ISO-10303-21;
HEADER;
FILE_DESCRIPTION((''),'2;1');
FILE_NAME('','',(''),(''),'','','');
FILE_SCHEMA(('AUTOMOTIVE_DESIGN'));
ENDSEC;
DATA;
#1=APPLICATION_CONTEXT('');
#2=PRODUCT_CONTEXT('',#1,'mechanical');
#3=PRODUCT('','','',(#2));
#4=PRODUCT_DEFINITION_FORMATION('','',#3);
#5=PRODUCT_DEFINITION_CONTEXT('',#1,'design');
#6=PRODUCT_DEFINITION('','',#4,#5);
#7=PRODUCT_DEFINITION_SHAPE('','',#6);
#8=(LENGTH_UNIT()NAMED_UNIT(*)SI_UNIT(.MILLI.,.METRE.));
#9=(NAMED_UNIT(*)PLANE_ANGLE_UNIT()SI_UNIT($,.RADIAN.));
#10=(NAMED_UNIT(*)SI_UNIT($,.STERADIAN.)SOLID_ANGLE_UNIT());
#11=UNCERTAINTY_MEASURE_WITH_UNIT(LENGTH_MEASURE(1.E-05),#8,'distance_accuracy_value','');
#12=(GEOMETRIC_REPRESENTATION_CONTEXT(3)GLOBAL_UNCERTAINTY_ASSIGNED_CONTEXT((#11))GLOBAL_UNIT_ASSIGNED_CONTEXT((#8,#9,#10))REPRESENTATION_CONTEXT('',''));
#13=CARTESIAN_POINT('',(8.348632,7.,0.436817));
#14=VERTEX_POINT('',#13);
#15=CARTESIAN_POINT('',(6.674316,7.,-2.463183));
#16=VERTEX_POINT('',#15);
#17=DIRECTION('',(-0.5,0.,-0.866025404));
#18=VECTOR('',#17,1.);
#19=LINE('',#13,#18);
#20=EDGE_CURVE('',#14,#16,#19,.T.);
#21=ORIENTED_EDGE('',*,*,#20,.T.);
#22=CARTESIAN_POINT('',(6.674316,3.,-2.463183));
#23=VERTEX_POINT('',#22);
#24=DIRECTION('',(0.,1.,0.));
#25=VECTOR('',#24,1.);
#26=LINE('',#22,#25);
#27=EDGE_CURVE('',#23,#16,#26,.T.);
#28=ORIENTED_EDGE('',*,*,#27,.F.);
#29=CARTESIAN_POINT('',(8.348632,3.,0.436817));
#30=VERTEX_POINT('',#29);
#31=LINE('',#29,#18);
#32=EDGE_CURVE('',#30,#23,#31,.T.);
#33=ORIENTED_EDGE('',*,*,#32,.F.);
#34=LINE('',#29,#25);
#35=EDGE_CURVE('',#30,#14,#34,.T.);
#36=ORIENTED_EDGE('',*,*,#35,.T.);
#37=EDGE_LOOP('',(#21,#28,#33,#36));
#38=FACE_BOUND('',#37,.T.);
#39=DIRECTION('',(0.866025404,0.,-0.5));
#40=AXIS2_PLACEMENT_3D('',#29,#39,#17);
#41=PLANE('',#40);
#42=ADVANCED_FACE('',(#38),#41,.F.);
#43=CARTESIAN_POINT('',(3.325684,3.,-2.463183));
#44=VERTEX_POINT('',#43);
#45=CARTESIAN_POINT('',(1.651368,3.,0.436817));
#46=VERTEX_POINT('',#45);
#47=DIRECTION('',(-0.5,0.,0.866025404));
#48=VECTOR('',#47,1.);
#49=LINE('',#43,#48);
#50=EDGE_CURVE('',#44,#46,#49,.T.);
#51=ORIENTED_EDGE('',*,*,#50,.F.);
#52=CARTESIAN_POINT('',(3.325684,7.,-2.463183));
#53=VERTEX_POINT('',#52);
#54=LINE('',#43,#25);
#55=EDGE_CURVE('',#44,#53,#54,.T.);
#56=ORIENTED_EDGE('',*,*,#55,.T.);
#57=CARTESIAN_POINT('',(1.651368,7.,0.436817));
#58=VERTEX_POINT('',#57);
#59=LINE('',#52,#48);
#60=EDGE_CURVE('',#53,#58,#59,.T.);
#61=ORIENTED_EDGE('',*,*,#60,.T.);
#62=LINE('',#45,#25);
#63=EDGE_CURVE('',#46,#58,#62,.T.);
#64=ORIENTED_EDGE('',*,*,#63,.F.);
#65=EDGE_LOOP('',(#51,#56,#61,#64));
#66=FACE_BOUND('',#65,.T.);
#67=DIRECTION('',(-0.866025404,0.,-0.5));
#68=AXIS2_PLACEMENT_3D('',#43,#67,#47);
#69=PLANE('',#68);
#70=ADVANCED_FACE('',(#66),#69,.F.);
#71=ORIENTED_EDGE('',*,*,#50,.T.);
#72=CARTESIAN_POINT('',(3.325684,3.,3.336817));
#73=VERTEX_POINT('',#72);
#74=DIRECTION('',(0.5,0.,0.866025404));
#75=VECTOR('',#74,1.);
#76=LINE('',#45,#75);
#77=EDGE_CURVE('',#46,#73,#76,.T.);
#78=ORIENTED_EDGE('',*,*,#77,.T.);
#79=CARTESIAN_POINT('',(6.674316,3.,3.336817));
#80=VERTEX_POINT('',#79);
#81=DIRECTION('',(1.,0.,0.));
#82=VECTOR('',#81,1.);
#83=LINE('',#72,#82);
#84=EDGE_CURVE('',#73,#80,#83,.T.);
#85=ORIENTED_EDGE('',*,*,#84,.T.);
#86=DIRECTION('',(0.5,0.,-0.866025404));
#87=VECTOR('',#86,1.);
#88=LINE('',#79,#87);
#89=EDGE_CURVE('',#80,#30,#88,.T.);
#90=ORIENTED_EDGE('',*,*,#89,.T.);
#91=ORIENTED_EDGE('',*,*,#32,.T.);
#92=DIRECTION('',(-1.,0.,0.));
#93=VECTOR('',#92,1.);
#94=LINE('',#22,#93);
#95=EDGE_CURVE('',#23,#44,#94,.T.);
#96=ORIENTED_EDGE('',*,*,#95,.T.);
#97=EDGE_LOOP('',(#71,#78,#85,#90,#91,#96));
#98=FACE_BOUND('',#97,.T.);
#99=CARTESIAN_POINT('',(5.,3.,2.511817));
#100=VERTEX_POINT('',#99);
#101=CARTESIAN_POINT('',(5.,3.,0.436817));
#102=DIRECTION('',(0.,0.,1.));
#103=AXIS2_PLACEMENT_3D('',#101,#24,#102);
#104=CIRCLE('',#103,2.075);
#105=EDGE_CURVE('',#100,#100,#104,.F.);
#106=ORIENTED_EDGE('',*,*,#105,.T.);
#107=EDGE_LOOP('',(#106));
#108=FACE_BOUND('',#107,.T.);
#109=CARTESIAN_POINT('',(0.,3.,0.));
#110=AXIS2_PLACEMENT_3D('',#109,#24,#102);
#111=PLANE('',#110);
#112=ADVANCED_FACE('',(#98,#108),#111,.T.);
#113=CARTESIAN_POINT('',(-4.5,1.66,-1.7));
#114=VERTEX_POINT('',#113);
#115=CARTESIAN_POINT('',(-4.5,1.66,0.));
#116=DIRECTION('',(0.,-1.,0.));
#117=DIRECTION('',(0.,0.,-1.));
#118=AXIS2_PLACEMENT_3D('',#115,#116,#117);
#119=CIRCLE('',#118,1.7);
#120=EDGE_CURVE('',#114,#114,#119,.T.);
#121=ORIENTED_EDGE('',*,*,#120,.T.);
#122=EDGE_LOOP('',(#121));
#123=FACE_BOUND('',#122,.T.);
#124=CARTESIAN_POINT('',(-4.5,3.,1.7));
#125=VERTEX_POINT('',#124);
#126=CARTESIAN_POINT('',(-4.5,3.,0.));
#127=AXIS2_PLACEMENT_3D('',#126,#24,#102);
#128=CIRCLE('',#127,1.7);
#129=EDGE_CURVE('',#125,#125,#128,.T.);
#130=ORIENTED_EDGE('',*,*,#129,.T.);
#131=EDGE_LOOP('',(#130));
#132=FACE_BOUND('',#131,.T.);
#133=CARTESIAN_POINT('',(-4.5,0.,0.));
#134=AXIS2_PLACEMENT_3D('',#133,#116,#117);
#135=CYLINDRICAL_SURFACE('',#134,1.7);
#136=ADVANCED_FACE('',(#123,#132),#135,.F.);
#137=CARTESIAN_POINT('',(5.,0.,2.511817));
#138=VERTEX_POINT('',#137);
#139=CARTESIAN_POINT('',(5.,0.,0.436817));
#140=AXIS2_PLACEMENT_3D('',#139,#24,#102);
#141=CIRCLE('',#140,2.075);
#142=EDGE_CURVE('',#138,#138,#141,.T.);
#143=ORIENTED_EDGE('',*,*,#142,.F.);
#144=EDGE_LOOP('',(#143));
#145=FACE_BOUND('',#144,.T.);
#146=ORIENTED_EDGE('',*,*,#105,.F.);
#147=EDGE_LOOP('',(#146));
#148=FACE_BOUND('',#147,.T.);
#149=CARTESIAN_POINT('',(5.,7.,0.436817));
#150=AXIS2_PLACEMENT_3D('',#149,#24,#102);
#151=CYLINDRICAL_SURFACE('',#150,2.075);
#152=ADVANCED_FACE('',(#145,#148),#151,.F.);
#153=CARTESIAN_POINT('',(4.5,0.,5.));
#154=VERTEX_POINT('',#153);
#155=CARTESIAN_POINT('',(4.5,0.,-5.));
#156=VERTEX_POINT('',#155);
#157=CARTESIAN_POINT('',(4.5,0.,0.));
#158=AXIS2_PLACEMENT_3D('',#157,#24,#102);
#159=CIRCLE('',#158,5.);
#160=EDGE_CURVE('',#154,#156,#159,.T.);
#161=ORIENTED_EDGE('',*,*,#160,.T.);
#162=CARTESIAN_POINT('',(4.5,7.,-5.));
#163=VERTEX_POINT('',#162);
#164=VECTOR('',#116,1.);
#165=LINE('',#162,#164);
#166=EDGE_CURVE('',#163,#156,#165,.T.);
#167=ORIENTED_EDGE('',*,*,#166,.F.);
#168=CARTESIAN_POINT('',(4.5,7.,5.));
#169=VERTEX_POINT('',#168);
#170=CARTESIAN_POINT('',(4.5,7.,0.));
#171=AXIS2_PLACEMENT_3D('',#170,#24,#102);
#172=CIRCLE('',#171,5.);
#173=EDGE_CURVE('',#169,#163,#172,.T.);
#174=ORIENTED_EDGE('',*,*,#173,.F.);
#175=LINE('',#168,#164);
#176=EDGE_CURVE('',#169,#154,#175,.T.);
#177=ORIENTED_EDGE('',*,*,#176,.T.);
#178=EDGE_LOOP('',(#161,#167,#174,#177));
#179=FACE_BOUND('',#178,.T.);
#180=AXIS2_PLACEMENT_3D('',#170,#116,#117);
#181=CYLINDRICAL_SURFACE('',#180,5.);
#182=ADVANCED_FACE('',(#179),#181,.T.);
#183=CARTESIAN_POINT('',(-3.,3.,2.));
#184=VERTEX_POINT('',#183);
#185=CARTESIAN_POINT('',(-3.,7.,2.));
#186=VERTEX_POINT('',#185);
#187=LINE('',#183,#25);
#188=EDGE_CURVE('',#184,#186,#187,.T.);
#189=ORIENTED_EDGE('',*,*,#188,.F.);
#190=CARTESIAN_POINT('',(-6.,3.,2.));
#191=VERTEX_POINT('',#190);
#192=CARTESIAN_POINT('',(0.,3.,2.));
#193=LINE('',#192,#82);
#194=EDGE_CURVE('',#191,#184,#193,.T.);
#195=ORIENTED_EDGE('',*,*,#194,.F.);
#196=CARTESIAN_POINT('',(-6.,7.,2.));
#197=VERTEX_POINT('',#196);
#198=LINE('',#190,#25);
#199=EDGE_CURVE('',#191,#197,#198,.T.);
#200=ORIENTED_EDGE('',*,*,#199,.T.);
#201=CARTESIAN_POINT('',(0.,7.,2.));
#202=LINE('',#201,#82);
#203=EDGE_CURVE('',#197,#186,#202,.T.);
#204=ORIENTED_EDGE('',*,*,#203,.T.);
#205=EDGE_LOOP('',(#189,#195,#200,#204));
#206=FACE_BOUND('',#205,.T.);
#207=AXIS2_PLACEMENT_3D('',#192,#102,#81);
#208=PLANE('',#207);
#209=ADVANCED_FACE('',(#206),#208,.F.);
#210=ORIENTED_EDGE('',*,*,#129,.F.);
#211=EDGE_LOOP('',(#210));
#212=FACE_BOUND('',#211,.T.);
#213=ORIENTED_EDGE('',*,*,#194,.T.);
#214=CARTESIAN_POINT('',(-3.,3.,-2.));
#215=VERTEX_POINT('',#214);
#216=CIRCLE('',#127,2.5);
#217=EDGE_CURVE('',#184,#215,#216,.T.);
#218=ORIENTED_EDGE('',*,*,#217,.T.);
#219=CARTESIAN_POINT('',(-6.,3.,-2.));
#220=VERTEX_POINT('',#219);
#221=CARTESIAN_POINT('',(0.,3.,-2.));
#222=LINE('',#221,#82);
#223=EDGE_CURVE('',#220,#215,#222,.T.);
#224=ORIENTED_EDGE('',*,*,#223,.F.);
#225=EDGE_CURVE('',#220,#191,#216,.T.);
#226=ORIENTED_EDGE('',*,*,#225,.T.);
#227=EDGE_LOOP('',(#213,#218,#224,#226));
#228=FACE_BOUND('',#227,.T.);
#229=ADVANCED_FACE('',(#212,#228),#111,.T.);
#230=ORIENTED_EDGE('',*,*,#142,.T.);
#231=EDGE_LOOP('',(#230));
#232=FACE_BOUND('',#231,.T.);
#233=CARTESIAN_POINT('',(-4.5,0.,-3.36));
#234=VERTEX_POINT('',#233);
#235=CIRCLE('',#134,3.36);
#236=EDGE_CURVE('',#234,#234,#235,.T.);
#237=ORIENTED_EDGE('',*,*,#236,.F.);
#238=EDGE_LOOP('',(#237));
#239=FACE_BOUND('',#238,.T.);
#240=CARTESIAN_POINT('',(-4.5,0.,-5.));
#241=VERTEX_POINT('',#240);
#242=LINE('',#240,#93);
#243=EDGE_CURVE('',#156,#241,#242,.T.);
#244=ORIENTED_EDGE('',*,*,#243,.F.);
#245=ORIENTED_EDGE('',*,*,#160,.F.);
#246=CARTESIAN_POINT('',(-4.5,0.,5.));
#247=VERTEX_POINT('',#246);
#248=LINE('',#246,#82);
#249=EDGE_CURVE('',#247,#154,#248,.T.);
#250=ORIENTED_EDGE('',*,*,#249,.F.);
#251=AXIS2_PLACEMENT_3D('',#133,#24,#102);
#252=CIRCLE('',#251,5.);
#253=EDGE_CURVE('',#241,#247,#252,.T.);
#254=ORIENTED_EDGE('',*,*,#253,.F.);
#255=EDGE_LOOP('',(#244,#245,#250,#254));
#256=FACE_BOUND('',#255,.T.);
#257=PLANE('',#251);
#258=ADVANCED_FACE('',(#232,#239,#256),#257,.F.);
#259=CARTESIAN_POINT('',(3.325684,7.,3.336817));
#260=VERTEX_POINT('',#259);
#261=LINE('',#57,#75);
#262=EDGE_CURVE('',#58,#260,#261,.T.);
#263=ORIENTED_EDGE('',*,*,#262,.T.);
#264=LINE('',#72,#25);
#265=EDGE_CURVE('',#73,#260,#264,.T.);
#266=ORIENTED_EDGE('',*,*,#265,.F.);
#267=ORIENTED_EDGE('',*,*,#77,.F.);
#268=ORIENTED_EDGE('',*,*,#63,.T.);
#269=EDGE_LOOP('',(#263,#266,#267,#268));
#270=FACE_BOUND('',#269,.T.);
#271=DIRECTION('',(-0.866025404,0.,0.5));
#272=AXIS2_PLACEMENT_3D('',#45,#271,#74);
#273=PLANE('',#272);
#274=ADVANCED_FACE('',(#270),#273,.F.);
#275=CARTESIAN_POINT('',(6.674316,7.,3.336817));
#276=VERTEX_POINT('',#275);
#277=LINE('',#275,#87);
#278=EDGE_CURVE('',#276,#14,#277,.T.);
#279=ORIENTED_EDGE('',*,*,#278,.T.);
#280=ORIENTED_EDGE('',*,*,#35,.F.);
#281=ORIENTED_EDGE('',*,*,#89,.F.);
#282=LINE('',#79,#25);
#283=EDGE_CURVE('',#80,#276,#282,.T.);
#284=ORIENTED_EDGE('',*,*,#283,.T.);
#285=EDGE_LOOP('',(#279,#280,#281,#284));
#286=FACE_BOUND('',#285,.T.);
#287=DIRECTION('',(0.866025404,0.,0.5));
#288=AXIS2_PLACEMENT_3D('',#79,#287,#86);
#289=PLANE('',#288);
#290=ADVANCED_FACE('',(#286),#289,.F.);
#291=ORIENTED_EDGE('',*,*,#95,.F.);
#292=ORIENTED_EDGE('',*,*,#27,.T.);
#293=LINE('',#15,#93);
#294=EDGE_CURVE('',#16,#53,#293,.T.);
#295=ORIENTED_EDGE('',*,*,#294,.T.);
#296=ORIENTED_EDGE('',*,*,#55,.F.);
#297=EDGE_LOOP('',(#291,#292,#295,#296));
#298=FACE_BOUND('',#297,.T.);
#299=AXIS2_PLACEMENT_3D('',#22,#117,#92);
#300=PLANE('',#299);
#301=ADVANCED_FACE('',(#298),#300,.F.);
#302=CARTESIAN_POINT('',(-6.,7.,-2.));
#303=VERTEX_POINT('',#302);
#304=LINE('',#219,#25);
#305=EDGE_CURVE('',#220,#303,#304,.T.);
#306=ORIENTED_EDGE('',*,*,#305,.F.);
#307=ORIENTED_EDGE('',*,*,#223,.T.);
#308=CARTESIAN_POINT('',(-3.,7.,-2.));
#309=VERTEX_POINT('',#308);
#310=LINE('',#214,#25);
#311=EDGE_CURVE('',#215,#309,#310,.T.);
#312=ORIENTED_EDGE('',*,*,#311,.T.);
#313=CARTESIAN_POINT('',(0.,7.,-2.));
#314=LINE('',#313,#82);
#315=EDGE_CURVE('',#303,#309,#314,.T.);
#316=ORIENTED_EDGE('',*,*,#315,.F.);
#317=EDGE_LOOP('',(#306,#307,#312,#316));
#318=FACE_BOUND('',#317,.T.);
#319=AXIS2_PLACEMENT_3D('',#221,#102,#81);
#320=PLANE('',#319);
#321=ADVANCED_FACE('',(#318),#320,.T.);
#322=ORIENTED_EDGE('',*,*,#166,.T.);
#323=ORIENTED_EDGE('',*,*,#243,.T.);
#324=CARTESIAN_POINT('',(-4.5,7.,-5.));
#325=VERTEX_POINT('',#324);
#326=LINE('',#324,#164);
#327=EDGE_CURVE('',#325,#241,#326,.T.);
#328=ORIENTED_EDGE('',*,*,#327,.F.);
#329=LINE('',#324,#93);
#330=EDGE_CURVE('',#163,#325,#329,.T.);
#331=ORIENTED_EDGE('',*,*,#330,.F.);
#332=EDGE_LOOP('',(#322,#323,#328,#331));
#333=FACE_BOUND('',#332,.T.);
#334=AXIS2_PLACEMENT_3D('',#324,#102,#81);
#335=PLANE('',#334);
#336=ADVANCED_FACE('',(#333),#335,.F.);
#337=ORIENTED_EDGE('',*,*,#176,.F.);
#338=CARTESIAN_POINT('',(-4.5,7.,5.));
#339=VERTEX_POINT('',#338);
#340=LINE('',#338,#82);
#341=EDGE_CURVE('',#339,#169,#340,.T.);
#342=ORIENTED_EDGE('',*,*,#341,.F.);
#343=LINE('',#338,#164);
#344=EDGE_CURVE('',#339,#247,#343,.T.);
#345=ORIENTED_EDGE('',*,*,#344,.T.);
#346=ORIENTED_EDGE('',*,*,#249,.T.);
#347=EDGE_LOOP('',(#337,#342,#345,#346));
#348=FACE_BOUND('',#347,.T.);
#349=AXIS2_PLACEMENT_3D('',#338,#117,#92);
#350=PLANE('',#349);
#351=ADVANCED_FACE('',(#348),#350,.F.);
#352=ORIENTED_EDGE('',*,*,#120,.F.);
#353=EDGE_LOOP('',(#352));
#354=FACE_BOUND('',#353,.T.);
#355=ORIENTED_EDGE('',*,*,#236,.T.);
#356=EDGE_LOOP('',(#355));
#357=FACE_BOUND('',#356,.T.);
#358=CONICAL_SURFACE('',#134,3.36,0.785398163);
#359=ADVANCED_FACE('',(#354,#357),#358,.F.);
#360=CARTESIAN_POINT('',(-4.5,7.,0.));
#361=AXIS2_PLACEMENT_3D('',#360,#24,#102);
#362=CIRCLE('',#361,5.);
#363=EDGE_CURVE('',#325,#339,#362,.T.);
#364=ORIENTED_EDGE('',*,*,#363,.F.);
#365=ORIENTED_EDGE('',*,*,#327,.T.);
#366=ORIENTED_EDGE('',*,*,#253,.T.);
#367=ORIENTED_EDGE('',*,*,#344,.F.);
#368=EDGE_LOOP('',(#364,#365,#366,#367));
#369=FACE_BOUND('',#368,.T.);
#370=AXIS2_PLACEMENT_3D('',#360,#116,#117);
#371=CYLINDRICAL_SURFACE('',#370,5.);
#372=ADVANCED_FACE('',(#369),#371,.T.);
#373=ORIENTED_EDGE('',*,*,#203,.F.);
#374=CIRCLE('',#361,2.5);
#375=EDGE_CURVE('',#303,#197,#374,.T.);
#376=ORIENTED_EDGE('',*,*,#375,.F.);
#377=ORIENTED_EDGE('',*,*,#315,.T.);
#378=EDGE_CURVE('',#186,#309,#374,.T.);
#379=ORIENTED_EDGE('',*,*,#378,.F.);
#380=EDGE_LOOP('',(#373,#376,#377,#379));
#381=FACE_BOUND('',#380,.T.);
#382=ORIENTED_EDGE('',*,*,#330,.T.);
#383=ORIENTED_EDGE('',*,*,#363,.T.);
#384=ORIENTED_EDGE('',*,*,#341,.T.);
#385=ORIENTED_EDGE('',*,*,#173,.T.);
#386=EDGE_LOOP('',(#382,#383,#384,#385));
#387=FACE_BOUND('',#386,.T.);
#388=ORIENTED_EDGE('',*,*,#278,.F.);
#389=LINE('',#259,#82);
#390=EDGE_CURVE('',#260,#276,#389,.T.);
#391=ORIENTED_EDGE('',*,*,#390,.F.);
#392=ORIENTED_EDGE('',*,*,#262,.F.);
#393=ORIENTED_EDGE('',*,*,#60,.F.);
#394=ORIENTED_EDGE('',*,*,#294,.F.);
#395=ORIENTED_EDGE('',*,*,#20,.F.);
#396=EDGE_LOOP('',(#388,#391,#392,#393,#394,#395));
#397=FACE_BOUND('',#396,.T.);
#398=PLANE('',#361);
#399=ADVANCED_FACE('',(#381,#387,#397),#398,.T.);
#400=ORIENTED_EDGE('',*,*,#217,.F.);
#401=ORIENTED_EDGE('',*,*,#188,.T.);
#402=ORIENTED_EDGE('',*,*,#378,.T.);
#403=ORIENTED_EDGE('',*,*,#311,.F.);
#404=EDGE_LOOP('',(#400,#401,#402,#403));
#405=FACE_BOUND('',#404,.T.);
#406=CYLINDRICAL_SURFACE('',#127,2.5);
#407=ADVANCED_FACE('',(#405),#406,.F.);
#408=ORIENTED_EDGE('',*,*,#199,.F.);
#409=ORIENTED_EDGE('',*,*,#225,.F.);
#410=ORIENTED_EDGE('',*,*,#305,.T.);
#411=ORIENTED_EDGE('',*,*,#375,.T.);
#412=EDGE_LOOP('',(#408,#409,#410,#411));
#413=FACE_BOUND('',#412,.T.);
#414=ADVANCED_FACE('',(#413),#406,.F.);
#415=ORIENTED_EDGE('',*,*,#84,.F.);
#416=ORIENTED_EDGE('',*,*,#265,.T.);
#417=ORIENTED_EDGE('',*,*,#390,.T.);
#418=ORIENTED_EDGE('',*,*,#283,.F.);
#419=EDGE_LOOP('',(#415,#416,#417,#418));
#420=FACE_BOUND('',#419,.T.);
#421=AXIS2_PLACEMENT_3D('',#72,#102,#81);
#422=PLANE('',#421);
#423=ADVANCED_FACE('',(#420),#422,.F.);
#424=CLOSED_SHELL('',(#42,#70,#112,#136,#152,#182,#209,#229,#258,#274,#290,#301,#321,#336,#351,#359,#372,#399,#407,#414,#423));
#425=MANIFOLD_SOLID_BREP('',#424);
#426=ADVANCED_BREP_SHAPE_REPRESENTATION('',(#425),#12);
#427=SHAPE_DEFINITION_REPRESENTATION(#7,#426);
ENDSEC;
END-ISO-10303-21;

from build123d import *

# Parameters (mm, degrees)
EXTRUDE_1_DEPTH              = 7
CUT_EXTRUDE_1_DEPTH          = 4
HOLE_WIZARD_M3_1_D           = 3.4
HOLE_WIZARD_M3_1_DEPTH       = 7.5
HOLE_WIZARD_M3_1_CSINK_D     = 6.72
HOLE_WIZARD_M3_1_CSINK_ANGLE = 90
HOLE_WIZARD_M3_1_TIP         = 1.021463052
HOLE_WIZARD_1_D              = 4.15
CUT_EXTRUDE_2_DEPTH          = 4


with BuildPart() as part:
    # 草图1 → 凸台-拉伸1 (new body)
    with BuildSketch(Plane(origin=(0, 0, 0), x_dir=(1, 0, 0), z_dir=(0, 1, 0))):
        with BuildLine():
            Line((-4.5, 5), (4.5, 5))
            ThreePointArc((4.5, 5), (9.5, 0), (4.5, -5))
            Line((4.5, -5), (-4.5, -5))
            ThreePointArc((-4.5, -5), (-9.5, 0), (-4.5, 5))
        make_face()
    extrude(amount=EXTRUDE_1_DEPTH)

    # 草图2 → 切除-拉伸1 (cut)
    with BuildSketch(Plane(origin=(0, 7, 0), x_dir=(1, 0, 0), z_dir=(0, 1, 0))):
        with BuildLine():
            Line((-3, 2), (-6, 2))
            ThreePointArc((-6, 2), (-7, 0), (-6, -2))
            Line((-6, -2), (-3, -2))
            ThreePointArc((-3, -2), (-2.263932023, -1.118033989), (-2, 0))
            ThreePointArc((-2, 0), (-2.263932023, 1.118033989), (-3, 2))
        make_face()
    extrude(amount=-CUT_EXTRUDE_1_DEPTH, mode=Mode.SUBTRACT)

    # M3 六角凹锥坑螺钉的锥形沉头孔1
    with Locations(Plane(origin=(0, 0, 0), x_dir=(-1, 0, 0), z_dir=(0, -1, 0))):
        with Locations((4.5, 0)):
            CounterSinkHole(HOLE_WIZARD_M3_1_D / 2, HOLE_WIZARD_M3_1_CSINK_D / 2, depth=HOLE_WIZARD_M3_1_DEPTH, counter_sink_angle=HOLE_WIZARD_M3_1_CSINK_ANGLE)
            with Locations((0, 0, -(HOLE_WIZARD_M3_1_DEPTH + HOLE_WIZARD_M3_1_TIP / 2))):  # 118° drill point
                Cone(0, HOLE_WIZARD_M3_1_D / 2, HOLE_WIZARD_M3_1_TIP, mode=Mode.SUBTRACT)

    # 孔1 (through all)
    with Locations(Plane(origin=(0, 7, 0), x_dir=(1, 0, 0), z_dir=(0, 1, 0))):
        with Locations((5, -0.436816998)):
            Hole(HOLE_WIZARD_1_D / 2)

    # 草图12 → 切除-拉伸2 (cut)
    with BuildSketch(Plane(origin=(0, 7, 0), x_dir=(1, 0, 0), z_dir=(0, 1, 0))):
        Polygon((8.348631561, -0.436816998), (6.674315781, 2.463183002), (3.325684219, 2.463183002), (1.651368439, -0.436816998), (3.325684219, -3.336816998), (6.674315781, -3.336816998), align=None)
    extrude(amount=-CUT_EXTRUDE_2_DEPTH, mode=Mode.SUBTRACT)


solid = part.part
